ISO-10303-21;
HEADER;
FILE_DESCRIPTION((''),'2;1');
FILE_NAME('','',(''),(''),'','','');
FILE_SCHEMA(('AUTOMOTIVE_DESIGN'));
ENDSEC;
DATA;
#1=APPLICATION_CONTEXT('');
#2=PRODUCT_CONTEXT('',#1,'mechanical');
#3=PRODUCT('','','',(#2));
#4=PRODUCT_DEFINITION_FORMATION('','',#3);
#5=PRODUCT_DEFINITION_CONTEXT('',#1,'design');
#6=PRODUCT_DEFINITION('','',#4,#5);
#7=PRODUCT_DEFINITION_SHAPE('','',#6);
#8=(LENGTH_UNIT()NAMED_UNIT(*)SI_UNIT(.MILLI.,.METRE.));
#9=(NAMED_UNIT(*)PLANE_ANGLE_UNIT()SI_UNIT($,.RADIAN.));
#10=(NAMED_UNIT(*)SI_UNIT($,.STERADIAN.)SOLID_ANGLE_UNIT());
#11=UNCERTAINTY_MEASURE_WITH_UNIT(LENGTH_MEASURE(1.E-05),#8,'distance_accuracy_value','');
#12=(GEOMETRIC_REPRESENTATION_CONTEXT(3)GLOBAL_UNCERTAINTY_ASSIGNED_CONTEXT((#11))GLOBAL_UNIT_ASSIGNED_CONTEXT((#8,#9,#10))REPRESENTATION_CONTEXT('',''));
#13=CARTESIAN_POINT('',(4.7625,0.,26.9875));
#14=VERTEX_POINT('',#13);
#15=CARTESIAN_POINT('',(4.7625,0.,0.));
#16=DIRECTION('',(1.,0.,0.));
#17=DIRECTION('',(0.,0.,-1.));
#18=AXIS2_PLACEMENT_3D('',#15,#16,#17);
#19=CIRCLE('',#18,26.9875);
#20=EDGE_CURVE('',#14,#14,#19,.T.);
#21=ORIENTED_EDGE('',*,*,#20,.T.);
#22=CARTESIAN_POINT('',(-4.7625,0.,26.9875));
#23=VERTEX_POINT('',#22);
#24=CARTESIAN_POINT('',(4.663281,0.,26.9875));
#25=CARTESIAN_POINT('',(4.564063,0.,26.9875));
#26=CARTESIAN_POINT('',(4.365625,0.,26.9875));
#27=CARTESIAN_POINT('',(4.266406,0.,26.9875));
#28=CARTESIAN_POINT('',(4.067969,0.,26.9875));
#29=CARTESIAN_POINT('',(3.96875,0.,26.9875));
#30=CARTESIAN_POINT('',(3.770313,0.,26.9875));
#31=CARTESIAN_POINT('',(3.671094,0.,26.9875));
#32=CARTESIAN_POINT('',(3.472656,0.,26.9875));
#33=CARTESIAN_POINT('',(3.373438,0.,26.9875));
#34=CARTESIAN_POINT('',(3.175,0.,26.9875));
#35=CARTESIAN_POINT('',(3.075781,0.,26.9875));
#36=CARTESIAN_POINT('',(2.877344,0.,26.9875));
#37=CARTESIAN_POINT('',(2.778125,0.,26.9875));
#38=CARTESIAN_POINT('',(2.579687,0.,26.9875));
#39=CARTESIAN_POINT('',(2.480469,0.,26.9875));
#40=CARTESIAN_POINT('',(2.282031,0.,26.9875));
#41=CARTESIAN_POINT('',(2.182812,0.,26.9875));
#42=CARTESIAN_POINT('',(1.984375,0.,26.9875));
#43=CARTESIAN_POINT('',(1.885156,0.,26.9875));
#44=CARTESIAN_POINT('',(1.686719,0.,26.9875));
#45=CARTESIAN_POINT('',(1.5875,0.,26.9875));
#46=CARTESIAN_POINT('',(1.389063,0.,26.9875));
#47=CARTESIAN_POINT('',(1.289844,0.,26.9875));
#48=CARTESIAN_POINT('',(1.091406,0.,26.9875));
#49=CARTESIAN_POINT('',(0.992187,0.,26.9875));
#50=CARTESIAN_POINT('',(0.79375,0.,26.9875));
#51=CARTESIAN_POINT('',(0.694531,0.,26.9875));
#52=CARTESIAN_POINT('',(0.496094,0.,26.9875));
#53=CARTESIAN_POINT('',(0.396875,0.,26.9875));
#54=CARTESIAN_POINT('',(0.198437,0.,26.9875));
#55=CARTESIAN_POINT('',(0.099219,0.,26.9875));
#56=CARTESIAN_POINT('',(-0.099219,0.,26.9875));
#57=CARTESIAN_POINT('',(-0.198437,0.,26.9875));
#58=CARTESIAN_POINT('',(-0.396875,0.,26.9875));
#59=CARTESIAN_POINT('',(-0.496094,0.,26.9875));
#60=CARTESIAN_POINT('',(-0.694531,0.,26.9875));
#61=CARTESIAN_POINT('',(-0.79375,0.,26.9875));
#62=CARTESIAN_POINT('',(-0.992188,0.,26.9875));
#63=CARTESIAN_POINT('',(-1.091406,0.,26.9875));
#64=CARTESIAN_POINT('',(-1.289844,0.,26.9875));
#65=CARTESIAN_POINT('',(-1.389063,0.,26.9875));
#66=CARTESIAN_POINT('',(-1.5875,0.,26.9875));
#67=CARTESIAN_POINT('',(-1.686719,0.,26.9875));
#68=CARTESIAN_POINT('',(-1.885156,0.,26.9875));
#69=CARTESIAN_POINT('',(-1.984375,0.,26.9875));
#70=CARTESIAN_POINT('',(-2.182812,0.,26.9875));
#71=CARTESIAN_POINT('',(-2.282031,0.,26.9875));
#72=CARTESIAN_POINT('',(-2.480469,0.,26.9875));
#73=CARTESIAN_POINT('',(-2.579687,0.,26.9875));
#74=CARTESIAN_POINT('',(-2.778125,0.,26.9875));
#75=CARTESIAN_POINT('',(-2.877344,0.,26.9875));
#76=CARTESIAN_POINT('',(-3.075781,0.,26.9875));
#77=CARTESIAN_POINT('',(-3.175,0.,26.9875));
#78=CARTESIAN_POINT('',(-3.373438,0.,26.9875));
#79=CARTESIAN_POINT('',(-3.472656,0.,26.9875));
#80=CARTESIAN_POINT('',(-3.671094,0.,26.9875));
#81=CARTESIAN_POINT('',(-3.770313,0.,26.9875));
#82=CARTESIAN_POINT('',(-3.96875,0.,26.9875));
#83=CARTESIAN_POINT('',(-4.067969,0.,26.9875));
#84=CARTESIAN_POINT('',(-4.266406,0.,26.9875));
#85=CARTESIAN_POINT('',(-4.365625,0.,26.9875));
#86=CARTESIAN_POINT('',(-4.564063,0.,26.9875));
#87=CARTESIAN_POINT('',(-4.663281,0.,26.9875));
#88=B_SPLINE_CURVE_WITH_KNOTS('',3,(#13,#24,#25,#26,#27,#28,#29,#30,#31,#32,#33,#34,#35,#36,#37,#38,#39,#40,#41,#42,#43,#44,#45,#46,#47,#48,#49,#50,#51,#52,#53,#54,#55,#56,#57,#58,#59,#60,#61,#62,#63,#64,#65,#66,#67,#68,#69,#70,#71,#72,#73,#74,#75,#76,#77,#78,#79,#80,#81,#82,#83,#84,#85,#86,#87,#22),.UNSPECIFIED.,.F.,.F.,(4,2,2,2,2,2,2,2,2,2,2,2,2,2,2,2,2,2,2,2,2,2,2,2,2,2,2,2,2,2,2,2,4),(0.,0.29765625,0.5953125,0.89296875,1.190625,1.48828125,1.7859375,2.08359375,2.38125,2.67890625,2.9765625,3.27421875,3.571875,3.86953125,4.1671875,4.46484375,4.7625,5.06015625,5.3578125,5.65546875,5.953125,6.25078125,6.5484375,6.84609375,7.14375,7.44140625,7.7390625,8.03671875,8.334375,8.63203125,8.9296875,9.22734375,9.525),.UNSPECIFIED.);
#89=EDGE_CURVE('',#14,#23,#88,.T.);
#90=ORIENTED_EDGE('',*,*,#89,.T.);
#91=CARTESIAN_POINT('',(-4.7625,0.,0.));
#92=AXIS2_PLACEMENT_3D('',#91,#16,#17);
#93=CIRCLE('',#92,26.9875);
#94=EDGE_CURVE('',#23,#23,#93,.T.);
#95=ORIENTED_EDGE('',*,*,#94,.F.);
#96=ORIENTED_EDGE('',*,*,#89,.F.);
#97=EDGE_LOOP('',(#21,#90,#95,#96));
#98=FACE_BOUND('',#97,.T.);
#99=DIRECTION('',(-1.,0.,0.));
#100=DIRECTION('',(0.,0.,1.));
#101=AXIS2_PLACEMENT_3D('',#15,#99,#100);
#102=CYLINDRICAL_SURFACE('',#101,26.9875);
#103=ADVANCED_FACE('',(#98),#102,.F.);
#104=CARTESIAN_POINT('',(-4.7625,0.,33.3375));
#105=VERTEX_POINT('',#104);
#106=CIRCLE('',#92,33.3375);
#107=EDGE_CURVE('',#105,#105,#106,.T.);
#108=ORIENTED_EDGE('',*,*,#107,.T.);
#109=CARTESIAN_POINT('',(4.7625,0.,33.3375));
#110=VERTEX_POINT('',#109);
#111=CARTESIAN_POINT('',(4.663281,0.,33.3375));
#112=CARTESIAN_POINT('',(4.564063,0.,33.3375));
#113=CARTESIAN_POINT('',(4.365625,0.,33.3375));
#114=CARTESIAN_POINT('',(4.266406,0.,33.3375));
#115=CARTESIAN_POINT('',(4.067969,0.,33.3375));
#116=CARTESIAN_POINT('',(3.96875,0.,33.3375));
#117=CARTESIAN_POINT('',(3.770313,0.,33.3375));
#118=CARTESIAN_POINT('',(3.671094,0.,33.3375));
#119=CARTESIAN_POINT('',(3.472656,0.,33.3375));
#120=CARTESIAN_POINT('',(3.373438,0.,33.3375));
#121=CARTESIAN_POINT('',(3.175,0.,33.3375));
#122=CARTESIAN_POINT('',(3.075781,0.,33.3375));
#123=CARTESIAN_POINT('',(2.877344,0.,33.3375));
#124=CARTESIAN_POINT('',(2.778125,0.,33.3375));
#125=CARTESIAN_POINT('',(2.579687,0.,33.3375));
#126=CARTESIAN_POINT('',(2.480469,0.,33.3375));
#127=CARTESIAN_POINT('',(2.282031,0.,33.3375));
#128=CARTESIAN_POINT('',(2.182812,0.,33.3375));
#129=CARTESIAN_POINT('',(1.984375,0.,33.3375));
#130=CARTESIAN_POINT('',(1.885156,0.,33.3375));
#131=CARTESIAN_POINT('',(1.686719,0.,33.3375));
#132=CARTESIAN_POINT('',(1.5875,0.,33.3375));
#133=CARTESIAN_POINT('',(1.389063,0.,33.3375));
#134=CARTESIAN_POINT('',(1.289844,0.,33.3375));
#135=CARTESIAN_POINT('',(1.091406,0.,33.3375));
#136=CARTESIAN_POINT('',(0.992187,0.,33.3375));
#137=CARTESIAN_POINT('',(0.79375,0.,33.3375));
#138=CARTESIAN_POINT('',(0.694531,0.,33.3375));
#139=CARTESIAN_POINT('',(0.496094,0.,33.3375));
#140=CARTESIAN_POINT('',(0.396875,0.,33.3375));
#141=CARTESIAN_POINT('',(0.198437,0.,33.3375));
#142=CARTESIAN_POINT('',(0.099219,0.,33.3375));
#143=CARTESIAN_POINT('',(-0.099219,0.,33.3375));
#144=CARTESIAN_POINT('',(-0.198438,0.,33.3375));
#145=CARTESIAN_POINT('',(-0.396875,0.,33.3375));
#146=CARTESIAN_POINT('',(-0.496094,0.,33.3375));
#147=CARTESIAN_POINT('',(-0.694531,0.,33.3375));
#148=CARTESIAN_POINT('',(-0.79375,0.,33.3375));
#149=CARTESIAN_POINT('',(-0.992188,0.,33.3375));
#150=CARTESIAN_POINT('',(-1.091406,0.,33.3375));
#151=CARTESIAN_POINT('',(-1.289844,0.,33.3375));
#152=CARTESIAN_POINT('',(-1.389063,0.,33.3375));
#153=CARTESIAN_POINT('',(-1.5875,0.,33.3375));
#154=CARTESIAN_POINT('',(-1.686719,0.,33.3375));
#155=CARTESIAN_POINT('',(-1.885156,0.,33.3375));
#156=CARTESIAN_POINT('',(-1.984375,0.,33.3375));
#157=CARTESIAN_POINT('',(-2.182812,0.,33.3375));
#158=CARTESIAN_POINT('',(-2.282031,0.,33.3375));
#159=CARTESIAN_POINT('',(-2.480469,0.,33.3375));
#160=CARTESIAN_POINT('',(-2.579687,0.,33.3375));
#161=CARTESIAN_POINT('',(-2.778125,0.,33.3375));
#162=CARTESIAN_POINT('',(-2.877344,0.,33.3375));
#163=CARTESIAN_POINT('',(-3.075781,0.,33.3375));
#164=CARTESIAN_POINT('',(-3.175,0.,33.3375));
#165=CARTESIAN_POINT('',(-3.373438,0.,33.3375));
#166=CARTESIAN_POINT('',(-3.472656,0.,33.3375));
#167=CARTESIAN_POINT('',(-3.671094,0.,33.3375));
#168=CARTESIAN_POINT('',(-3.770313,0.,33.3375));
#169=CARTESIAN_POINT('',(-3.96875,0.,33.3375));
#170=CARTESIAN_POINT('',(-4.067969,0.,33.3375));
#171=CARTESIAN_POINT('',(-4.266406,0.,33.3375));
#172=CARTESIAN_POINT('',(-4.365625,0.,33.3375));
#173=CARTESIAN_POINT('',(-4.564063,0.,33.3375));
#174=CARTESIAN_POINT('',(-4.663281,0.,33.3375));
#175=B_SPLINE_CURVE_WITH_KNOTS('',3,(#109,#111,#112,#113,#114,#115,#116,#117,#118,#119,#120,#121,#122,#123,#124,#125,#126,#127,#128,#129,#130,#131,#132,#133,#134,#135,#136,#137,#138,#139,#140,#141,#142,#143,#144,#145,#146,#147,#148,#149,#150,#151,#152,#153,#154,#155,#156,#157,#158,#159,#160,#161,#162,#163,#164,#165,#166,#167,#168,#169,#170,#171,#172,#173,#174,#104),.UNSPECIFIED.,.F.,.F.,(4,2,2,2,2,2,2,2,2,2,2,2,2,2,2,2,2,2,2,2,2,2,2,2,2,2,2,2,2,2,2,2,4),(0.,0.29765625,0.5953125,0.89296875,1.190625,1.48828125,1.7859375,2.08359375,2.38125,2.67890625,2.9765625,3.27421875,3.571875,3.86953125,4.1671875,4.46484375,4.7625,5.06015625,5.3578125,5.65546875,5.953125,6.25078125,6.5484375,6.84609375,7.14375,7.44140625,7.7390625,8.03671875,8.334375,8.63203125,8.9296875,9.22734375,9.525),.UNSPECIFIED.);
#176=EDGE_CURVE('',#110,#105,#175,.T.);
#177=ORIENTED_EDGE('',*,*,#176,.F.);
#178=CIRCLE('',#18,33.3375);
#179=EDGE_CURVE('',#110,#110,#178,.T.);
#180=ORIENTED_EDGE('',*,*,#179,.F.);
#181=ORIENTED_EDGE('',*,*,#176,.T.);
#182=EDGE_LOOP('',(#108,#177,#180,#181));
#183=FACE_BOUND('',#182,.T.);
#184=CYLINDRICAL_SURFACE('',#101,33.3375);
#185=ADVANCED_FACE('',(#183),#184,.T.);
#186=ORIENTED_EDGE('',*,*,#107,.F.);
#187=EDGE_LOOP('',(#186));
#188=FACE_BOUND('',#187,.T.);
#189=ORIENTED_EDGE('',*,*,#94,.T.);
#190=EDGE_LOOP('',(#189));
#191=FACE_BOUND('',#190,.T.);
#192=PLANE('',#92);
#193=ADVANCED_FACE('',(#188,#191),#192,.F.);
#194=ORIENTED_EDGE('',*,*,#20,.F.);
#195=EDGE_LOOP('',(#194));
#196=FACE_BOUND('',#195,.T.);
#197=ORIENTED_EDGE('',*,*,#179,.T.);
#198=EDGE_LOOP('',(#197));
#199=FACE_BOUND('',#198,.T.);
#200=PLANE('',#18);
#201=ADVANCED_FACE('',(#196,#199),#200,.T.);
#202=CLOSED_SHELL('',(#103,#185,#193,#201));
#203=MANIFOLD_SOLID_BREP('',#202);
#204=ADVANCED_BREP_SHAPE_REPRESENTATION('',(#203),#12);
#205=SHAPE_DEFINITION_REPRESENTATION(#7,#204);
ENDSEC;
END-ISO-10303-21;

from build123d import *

# Parameters (mm, degrees)
SKETCH1_R           = 33.3375
SKETCH1_R_2         = 26.9875
BOSS_EXTRUDE1_DEPTH = 4.7625


with BuildPart() as part:
    # Sketch1 → Boss-Extrude1 (new, symmetric)
    with BuildSketch(Plane(origin=(0, 0, 0), x_dir=(0, 0, -1), z_dir=(1, 0, 0))):
        with Locations(Location((0, 0, 0), (0, 0, 180))):
            Circle(SKETCH1_R)
        with Locations(Location((0, 0, 0), (0, 0, 180))):
            Circle(SKETCH1_R_2, mode=Mode.SUBTRACT)
    extrude(amount=BOSS_EXTRUDE1_DEPTH, both=True)


solid = part.part
